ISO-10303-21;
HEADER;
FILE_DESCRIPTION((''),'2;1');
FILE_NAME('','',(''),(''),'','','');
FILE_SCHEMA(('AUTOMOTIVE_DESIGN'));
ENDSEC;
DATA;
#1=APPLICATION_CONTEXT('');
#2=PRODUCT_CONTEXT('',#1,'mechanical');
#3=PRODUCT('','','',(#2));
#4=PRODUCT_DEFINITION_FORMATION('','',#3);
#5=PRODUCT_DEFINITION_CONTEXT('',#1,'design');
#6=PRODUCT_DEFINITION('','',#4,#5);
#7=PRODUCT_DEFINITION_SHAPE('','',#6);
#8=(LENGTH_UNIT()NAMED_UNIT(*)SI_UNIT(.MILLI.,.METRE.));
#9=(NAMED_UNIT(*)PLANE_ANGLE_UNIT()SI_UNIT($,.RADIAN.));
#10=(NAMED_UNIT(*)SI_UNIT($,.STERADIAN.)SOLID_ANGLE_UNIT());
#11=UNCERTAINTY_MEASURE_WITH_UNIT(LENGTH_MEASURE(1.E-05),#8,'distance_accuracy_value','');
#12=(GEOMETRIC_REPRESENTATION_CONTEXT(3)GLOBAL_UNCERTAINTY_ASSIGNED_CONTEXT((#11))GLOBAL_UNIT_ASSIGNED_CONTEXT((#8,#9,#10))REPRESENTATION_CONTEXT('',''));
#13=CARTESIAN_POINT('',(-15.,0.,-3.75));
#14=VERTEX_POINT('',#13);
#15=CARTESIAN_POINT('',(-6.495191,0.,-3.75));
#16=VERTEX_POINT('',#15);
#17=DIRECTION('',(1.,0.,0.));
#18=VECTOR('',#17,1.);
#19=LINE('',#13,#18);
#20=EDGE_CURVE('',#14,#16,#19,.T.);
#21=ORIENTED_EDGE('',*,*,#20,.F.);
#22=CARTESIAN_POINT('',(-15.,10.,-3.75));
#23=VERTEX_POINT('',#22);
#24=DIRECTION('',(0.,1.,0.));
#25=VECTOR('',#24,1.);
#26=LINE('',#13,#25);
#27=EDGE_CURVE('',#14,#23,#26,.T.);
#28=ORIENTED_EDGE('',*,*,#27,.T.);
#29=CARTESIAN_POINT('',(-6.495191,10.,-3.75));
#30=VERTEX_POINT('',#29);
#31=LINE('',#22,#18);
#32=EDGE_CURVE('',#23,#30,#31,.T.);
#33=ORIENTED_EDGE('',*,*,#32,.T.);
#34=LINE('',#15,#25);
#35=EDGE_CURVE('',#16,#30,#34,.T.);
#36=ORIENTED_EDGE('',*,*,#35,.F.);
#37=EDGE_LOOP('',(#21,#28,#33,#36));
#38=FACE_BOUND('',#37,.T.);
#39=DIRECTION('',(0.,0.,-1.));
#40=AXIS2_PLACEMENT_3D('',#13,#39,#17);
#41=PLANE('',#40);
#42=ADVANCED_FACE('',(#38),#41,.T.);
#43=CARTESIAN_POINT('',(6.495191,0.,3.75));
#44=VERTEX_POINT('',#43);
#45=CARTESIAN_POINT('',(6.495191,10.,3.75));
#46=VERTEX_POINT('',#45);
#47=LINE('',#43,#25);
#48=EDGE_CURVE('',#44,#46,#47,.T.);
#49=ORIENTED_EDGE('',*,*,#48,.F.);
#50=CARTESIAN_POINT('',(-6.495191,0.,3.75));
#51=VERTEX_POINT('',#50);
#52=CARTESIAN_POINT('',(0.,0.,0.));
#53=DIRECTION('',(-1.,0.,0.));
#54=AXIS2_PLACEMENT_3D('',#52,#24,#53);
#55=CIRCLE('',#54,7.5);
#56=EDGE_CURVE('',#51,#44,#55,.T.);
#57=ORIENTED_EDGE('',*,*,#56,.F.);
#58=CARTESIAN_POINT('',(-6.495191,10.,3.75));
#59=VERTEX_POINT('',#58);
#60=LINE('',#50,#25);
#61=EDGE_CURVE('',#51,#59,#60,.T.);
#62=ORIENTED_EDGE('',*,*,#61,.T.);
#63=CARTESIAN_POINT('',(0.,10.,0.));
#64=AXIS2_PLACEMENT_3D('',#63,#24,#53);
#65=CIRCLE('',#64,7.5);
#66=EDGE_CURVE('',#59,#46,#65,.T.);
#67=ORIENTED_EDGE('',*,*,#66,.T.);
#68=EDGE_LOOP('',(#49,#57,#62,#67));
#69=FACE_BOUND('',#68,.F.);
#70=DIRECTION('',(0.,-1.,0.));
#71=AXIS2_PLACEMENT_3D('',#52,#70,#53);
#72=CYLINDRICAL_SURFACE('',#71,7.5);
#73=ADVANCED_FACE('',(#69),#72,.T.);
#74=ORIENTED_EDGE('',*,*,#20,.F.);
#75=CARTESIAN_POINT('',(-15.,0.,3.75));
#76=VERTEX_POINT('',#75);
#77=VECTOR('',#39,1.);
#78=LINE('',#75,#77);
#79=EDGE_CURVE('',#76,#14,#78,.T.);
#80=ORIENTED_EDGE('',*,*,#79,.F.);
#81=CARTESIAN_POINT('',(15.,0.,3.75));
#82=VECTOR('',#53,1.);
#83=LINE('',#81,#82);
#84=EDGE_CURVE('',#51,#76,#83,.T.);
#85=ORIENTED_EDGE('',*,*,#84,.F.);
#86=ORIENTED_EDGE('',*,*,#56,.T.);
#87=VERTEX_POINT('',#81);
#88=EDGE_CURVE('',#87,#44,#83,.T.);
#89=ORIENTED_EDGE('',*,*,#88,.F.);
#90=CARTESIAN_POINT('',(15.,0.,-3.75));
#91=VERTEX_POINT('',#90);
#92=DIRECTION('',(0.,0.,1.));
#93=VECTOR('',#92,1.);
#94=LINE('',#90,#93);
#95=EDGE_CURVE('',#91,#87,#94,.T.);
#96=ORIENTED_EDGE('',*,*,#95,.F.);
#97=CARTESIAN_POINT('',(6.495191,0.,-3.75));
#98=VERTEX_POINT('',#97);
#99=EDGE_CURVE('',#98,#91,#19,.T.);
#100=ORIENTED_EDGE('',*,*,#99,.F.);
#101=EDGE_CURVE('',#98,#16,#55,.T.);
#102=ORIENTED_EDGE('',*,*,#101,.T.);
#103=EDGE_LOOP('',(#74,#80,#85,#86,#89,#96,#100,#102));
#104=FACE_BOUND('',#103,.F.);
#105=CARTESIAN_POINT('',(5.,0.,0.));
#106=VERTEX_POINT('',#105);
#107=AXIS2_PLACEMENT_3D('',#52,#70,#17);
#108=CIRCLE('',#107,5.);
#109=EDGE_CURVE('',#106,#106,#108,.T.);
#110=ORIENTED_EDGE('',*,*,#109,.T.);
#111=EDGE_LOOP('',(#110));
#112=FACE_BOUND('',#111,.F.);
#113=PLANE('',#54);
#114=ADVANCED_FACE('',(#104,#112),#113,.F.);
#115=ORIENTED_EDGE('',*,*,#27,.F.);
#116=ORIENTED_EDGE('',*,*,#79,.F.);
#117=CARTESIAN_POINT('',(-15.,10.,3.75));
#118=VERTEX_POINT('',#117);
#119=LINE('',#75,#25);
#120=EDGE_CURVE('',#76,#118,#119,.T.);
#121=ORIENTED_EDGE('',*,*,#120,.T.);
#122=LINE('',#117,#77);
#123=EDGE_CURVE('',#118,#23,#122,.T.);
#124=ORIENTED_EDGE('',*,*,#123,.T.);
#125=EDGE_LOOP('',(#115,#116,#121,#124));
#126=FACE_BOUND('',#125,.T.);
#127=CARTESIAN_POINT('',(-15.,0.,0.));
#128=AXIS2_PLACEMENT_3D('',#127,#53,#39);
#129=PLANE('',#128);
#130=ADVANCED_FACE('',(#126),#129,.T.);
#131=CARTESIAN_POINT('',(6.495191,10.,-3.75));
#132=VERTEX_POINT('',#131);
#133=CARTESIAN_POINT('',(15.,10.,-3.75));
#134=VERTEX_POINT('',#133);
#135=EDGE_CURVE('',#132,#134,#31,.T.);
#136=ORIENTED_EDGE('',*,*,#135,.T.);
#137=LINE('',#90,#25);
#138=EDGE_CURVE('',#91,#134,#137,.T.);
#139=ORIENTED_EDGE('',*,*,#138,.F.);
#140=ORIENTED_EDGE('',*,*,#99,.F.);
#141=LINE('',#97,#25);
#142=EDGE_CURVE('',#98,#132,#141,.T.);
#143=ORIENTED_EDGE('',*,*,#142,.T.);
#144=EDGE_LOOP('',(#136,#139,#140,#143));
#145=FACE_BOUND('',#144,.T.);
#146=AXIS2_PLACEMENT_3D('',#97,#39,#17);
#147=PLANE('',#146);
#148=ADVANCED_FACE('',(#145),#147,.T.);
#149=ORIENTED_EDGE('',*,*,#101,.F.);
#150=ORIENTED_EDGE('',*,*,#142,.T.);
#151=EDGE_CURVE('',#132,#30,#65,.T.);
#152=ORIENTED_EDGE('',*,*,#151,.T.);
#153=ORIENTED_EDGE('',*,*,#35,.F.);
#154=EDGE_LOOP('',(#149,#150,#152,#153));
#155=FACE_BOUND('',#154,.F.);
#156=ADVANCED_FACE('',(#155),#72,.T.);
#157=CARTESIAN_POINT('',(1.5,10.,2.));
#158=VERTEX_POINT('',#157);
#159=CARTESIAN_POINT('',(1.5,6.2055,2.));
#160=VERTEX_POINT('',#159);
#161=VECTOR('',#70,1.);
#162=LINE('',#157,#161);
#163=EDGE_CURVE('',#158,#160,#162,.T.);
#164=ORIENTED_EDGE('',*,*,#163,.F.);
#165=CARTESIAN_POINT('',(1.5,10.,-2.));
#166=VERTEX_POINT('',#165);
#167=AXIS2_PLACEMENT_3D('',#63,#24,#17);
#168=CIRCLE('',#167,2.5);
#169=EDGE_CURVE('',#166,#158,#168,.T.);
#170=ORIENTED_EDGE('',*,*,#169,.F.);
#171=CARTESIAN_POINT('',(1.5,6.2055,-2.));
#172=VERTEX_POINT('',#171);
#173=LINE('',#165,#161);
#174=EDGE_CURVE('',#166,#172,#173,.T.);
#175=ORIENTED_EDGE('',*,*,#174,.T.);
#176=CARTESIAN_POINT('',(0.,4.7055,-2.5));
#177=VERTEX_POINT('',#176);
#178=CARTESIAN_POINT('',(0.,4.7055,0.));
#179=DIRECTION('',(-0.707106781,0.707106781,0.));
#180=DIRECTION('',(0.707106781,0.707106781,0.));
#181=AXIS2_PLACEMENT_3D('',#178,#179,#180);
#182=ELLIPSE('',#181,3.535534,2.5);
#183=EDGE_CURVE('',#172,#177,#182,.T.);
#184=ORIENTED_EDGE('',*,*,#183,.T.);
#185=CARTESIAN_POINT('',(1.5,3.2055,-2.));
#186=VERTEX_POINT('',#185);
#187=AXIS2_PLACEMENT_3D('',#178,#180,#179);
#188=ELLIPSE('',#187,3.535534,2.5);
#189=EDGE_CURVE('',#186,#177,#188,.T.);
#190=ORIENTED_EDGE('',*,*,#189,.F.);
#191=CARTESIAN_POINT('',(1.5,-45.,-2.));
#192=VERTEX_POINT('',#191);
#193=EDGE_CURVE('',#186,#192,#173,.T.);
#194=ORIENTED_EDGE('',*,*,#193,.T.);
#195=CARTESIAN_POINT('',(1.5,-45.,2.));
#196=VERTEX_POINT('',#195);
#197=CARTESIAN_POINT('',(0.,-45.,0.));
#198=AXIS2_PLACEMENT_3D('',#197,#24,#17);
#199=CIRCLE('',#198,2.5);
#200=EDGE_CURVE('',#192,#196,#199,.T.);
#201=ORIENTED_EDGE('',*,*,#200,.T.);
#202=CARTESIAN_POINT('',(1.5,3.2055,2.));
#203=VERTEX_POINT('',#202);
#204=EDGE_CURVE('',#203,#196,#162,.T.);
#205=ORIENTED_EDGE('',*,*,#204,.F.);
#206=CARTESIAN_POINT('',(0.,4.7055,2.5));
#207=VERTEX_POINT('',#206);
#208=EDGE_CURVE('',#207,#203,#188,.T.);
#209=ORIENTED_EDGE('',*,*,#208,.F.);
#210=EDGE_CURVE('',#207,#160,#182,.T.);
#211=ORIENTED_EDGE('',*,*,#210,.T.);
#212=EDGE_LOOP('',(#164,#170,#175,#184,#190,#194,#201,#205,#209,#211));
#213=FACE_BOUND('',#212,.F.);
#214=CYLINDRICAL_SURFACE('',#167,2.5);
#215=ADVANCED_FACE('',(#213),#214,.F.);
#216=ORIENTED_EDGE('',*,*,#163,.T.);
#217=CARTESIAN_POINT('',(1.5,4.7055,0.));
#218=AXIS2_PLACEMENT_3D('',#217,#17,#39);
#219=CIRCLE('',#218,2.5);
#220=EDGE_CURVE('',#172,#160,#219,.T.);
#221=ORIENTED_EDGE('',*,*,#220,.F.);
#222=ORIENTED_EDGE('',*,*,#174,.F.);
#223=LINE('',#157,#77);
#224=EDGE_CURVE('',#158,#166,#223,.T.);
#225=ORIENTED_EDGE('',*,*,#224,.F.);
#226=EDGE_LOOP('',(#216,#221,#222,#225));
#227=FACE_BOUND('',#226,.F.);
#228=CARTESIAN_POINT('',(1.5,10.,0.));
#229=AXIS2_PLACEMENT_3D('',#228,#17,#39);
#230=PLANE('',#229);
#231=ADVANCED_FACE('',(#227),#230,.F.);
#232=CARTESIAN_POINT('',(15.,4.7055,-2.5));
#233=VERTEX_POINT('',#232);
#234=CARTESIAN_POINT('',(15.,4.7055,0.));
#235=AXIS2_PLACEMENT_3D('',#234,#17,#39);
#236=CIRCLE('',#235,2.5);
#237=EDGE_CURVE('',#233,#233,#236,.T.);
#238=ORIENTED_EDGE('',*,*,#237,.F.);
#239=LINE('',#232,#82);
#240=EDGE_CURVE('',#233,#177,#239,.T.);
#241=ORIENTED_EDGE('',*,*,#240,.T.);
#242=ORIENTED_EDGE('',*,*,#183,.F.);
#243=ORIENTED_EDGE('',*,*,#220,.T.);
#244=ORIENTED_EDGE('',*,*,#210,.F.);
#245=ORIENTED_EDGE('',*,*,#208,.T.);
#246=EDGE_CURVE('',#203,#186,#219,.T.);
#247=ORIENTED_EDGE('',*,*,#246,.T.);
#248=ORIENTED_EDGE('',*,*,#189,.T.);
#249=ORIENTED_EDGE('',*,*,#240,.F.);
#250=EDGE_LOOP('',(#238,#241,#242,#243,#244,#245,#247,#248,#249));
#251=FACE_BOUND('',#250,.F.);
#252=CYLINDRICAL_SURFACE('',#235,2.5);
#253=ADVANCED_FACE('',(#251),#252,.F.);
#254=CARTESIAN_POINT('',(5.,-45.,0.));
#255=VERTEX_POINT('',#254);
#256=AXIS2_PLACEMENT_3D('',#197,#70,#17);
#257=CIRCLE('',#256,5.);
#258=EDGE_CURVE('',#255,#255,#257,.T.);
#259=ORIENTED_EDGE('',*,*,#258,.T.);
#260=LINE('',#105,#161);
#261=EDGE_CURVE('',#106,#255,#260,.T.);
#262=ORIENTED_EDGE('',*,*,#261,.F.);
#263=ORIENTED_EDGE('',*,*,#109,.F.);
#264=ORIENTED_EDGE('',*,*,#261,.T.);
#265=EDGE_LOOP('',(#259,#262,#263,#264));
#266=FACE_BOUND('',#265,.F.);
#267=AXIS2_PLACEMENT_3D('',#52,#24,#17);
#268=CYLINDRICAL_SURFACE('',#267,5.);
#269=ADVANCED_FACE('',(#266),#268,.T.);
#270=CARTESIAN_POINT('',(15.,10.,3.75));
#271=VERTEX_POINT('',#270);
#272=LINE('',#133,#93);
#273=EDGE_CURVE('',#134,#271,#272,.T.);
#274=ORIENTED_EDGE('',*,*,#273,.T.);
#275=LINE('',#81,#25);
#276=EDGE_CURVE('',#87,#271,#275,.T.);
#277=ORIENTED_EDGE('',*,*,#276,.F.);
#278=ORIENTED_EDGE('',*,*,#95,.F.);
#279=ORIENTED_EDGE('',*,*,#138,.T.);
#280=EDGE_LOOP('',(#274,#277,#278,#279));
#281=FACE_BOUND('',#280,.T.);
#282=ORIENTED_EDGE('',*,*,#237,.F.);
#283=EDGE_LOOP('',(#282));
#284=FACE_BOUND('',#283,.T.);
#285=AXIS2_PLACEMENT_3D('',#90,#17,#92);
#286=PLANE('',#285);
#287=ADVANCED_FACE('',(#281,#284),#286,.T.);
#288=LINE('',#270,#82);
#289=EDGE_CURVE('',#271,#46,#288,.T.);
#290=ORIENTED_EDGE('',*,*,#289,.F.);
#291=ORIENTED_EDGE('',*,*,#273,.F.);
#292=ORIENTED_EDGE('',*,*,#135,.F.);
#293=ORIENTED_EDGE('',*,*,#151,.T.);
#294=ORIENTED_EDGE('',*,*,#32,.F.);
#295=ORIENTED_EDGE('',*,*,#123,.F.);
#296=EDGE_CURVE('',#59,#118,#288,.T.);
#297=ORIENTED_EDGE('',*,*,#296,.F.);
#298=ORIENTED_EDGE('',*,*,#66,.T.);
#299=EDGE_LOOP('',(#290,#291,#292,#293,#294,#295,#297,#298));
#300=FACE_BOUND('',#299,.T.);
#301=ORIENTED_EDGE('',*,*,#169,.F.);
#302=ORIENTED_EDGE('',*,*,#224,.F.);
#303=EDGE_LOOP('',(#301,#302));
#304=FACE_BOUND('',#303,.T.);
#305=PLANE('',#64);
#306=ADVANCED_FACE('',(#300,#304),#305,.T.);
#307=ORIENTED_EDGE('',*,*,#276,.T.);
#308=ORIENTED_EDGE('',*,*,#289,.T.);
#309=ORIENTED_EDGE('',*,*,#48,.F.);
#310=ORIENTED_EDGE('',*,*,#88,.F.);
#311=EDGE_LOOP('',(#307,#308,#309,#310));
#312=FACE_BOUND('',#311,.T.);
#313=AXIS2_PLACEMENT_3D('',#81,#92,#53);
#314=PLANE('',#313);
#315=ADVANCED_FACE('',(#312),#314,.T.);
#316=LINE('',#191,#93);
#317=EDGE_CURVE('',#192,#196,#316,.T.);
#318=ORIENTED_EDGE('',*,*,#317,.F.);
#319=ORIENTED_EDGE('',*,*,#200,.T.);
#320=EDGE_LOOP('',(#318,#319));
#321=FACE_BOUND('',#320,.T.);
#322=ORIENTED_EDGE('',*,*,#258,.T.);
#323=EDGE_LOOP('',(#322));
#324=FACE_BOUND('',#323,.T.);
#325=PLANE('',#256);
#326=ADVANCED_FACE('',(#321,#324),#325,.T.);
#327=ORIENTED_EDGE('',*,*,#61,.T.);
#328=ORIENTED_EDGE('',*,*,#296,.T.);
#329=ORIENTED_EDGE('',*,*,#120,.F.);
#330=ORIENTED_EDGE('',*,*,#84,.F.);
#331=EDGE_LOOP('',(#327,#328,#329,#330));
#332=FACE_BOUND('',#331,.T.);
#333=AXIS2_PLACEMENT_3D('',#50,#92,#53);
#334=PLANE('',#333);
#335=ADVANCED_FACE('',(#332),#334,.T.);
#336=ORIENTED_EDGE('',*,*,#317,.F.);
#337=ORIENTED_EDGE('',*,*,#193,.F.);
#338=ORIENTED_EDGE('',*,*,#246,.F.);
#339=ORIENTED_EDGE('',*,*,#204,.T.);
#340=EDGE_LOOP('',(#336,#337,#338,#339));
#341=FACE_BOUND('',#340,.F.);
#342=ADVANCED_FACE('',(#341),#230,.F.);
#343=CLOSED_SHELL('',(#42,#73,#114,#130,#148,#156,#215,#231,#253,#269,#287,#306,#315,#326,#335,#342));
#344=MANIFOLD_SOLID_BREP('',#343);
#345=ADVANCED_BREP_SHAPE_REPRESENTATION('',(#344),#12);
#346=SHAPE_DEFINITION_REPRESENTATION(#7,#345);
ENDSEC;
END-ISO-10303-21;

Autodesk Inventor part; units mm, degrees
ref_plane "YZ Plane" through (0, 0, 0) normal (1, 0, 0) x (0, 1, 0)
ref_plane "XZ Plane" through (0, 0, 0) normal (0, 1, 0) x (-1, 0, 0)
ref_plane "XY Plane" through (0, 0, 0) normal (0, 0, 1) x (1, 0, 0)
sketch "Sketch3" plane through (0, 0, 0) normal (0, 1, 0) x (-1, 0, 0)
  circle A0 centre (0, 0) radius 7.5
  line L0 (0, 0) -> (15, 0)
  line L1 (0, 0) -> (15, 0) construction
  line L2 (15, 0) -> (15, -3.75)
  line L3 (15, -3.75) -> (-15, -3.75)
  line L4 (-15, -3.75) -> (-15, 3.75)
  line L5 (-15, 3.75) -> (15, 3.75)
  line L6 (15, 3.75) -> (15, -3.75)
  dimension "d27" = 15
  dimension "d28" = 15
  dimension "d29" = 0
  dimension "d30" = 3.75
  dimension "d31" = 90
  dimension "d32" = 30
  dimension "d33" = 7.5
extrude "Extrusion3" add sketch "Sketch3" along normal blind 10
sketch "Sketch5" plane through (0, 0, 0) normal (0, -1, 0) x (1, 0, 0)
  circle A0 centre (0, 0) radius 5
  line L0 (0, 2.5) -> (0, -2.5) projected
  dimension "d39" = 10
extrude "Extrusion5" add sketch "Sketch5" along normal blind 45
sketch "Sketch6" plane through (0, 10, 0) normal (0, 1, 0) x (1, 0, 0)
  circle A0 centre (0, 0) radius 2.5
  dimension "d44" = 5
extrude "Extrusion6" cut sketch "Sketch6" against normal blind 60
sketch "Sketch7" plane through (0, 10, 0) normal (0, 1, 0) x (1, 0, 0)
  line L0 (0, 0) -> (2.5, 0)
  line L1 (2.5, 0) -> (1.5, 0)
  line L2 (2.5, 0) -> (3.5, 0) construction
  line L3 (1.5, 0) -> (1.5, -3.2812)
  line L4 (1.5, -3.2812) -> (1.5, 3.3122)
  arc A0 (1.5, -2) -> (1.5, 2) centre (0, 0) ccw
  line L5 (1.5, -2) -> (1.5, 2)
  dimension "d50" = 1
  dimension "d51" = 180
extrude "Extrusion9" add sketch "Sketch7" against normal blind 55
sketch "Sketch8" plane through (15, 0, 3.75) normal (1, 0, 0) x (0, 0, -1)
  line L0 (0, 0) -> (0, 10) projected
  line L1 (0, 0) -> (7.5, 0) projected
  circle A0 centre (3.75, 4.7055) radius 2.5
  point P0 (3.75, 0)
  dimension "d58" = 5
extrude "Extrusion10" cut sketch "Sketch8" against normal blind 15
thread "Thread2" size "M5x0.8" class "6H" standard "ANSI Metric M Profile" full length
properties part number "Stepper_Key"
